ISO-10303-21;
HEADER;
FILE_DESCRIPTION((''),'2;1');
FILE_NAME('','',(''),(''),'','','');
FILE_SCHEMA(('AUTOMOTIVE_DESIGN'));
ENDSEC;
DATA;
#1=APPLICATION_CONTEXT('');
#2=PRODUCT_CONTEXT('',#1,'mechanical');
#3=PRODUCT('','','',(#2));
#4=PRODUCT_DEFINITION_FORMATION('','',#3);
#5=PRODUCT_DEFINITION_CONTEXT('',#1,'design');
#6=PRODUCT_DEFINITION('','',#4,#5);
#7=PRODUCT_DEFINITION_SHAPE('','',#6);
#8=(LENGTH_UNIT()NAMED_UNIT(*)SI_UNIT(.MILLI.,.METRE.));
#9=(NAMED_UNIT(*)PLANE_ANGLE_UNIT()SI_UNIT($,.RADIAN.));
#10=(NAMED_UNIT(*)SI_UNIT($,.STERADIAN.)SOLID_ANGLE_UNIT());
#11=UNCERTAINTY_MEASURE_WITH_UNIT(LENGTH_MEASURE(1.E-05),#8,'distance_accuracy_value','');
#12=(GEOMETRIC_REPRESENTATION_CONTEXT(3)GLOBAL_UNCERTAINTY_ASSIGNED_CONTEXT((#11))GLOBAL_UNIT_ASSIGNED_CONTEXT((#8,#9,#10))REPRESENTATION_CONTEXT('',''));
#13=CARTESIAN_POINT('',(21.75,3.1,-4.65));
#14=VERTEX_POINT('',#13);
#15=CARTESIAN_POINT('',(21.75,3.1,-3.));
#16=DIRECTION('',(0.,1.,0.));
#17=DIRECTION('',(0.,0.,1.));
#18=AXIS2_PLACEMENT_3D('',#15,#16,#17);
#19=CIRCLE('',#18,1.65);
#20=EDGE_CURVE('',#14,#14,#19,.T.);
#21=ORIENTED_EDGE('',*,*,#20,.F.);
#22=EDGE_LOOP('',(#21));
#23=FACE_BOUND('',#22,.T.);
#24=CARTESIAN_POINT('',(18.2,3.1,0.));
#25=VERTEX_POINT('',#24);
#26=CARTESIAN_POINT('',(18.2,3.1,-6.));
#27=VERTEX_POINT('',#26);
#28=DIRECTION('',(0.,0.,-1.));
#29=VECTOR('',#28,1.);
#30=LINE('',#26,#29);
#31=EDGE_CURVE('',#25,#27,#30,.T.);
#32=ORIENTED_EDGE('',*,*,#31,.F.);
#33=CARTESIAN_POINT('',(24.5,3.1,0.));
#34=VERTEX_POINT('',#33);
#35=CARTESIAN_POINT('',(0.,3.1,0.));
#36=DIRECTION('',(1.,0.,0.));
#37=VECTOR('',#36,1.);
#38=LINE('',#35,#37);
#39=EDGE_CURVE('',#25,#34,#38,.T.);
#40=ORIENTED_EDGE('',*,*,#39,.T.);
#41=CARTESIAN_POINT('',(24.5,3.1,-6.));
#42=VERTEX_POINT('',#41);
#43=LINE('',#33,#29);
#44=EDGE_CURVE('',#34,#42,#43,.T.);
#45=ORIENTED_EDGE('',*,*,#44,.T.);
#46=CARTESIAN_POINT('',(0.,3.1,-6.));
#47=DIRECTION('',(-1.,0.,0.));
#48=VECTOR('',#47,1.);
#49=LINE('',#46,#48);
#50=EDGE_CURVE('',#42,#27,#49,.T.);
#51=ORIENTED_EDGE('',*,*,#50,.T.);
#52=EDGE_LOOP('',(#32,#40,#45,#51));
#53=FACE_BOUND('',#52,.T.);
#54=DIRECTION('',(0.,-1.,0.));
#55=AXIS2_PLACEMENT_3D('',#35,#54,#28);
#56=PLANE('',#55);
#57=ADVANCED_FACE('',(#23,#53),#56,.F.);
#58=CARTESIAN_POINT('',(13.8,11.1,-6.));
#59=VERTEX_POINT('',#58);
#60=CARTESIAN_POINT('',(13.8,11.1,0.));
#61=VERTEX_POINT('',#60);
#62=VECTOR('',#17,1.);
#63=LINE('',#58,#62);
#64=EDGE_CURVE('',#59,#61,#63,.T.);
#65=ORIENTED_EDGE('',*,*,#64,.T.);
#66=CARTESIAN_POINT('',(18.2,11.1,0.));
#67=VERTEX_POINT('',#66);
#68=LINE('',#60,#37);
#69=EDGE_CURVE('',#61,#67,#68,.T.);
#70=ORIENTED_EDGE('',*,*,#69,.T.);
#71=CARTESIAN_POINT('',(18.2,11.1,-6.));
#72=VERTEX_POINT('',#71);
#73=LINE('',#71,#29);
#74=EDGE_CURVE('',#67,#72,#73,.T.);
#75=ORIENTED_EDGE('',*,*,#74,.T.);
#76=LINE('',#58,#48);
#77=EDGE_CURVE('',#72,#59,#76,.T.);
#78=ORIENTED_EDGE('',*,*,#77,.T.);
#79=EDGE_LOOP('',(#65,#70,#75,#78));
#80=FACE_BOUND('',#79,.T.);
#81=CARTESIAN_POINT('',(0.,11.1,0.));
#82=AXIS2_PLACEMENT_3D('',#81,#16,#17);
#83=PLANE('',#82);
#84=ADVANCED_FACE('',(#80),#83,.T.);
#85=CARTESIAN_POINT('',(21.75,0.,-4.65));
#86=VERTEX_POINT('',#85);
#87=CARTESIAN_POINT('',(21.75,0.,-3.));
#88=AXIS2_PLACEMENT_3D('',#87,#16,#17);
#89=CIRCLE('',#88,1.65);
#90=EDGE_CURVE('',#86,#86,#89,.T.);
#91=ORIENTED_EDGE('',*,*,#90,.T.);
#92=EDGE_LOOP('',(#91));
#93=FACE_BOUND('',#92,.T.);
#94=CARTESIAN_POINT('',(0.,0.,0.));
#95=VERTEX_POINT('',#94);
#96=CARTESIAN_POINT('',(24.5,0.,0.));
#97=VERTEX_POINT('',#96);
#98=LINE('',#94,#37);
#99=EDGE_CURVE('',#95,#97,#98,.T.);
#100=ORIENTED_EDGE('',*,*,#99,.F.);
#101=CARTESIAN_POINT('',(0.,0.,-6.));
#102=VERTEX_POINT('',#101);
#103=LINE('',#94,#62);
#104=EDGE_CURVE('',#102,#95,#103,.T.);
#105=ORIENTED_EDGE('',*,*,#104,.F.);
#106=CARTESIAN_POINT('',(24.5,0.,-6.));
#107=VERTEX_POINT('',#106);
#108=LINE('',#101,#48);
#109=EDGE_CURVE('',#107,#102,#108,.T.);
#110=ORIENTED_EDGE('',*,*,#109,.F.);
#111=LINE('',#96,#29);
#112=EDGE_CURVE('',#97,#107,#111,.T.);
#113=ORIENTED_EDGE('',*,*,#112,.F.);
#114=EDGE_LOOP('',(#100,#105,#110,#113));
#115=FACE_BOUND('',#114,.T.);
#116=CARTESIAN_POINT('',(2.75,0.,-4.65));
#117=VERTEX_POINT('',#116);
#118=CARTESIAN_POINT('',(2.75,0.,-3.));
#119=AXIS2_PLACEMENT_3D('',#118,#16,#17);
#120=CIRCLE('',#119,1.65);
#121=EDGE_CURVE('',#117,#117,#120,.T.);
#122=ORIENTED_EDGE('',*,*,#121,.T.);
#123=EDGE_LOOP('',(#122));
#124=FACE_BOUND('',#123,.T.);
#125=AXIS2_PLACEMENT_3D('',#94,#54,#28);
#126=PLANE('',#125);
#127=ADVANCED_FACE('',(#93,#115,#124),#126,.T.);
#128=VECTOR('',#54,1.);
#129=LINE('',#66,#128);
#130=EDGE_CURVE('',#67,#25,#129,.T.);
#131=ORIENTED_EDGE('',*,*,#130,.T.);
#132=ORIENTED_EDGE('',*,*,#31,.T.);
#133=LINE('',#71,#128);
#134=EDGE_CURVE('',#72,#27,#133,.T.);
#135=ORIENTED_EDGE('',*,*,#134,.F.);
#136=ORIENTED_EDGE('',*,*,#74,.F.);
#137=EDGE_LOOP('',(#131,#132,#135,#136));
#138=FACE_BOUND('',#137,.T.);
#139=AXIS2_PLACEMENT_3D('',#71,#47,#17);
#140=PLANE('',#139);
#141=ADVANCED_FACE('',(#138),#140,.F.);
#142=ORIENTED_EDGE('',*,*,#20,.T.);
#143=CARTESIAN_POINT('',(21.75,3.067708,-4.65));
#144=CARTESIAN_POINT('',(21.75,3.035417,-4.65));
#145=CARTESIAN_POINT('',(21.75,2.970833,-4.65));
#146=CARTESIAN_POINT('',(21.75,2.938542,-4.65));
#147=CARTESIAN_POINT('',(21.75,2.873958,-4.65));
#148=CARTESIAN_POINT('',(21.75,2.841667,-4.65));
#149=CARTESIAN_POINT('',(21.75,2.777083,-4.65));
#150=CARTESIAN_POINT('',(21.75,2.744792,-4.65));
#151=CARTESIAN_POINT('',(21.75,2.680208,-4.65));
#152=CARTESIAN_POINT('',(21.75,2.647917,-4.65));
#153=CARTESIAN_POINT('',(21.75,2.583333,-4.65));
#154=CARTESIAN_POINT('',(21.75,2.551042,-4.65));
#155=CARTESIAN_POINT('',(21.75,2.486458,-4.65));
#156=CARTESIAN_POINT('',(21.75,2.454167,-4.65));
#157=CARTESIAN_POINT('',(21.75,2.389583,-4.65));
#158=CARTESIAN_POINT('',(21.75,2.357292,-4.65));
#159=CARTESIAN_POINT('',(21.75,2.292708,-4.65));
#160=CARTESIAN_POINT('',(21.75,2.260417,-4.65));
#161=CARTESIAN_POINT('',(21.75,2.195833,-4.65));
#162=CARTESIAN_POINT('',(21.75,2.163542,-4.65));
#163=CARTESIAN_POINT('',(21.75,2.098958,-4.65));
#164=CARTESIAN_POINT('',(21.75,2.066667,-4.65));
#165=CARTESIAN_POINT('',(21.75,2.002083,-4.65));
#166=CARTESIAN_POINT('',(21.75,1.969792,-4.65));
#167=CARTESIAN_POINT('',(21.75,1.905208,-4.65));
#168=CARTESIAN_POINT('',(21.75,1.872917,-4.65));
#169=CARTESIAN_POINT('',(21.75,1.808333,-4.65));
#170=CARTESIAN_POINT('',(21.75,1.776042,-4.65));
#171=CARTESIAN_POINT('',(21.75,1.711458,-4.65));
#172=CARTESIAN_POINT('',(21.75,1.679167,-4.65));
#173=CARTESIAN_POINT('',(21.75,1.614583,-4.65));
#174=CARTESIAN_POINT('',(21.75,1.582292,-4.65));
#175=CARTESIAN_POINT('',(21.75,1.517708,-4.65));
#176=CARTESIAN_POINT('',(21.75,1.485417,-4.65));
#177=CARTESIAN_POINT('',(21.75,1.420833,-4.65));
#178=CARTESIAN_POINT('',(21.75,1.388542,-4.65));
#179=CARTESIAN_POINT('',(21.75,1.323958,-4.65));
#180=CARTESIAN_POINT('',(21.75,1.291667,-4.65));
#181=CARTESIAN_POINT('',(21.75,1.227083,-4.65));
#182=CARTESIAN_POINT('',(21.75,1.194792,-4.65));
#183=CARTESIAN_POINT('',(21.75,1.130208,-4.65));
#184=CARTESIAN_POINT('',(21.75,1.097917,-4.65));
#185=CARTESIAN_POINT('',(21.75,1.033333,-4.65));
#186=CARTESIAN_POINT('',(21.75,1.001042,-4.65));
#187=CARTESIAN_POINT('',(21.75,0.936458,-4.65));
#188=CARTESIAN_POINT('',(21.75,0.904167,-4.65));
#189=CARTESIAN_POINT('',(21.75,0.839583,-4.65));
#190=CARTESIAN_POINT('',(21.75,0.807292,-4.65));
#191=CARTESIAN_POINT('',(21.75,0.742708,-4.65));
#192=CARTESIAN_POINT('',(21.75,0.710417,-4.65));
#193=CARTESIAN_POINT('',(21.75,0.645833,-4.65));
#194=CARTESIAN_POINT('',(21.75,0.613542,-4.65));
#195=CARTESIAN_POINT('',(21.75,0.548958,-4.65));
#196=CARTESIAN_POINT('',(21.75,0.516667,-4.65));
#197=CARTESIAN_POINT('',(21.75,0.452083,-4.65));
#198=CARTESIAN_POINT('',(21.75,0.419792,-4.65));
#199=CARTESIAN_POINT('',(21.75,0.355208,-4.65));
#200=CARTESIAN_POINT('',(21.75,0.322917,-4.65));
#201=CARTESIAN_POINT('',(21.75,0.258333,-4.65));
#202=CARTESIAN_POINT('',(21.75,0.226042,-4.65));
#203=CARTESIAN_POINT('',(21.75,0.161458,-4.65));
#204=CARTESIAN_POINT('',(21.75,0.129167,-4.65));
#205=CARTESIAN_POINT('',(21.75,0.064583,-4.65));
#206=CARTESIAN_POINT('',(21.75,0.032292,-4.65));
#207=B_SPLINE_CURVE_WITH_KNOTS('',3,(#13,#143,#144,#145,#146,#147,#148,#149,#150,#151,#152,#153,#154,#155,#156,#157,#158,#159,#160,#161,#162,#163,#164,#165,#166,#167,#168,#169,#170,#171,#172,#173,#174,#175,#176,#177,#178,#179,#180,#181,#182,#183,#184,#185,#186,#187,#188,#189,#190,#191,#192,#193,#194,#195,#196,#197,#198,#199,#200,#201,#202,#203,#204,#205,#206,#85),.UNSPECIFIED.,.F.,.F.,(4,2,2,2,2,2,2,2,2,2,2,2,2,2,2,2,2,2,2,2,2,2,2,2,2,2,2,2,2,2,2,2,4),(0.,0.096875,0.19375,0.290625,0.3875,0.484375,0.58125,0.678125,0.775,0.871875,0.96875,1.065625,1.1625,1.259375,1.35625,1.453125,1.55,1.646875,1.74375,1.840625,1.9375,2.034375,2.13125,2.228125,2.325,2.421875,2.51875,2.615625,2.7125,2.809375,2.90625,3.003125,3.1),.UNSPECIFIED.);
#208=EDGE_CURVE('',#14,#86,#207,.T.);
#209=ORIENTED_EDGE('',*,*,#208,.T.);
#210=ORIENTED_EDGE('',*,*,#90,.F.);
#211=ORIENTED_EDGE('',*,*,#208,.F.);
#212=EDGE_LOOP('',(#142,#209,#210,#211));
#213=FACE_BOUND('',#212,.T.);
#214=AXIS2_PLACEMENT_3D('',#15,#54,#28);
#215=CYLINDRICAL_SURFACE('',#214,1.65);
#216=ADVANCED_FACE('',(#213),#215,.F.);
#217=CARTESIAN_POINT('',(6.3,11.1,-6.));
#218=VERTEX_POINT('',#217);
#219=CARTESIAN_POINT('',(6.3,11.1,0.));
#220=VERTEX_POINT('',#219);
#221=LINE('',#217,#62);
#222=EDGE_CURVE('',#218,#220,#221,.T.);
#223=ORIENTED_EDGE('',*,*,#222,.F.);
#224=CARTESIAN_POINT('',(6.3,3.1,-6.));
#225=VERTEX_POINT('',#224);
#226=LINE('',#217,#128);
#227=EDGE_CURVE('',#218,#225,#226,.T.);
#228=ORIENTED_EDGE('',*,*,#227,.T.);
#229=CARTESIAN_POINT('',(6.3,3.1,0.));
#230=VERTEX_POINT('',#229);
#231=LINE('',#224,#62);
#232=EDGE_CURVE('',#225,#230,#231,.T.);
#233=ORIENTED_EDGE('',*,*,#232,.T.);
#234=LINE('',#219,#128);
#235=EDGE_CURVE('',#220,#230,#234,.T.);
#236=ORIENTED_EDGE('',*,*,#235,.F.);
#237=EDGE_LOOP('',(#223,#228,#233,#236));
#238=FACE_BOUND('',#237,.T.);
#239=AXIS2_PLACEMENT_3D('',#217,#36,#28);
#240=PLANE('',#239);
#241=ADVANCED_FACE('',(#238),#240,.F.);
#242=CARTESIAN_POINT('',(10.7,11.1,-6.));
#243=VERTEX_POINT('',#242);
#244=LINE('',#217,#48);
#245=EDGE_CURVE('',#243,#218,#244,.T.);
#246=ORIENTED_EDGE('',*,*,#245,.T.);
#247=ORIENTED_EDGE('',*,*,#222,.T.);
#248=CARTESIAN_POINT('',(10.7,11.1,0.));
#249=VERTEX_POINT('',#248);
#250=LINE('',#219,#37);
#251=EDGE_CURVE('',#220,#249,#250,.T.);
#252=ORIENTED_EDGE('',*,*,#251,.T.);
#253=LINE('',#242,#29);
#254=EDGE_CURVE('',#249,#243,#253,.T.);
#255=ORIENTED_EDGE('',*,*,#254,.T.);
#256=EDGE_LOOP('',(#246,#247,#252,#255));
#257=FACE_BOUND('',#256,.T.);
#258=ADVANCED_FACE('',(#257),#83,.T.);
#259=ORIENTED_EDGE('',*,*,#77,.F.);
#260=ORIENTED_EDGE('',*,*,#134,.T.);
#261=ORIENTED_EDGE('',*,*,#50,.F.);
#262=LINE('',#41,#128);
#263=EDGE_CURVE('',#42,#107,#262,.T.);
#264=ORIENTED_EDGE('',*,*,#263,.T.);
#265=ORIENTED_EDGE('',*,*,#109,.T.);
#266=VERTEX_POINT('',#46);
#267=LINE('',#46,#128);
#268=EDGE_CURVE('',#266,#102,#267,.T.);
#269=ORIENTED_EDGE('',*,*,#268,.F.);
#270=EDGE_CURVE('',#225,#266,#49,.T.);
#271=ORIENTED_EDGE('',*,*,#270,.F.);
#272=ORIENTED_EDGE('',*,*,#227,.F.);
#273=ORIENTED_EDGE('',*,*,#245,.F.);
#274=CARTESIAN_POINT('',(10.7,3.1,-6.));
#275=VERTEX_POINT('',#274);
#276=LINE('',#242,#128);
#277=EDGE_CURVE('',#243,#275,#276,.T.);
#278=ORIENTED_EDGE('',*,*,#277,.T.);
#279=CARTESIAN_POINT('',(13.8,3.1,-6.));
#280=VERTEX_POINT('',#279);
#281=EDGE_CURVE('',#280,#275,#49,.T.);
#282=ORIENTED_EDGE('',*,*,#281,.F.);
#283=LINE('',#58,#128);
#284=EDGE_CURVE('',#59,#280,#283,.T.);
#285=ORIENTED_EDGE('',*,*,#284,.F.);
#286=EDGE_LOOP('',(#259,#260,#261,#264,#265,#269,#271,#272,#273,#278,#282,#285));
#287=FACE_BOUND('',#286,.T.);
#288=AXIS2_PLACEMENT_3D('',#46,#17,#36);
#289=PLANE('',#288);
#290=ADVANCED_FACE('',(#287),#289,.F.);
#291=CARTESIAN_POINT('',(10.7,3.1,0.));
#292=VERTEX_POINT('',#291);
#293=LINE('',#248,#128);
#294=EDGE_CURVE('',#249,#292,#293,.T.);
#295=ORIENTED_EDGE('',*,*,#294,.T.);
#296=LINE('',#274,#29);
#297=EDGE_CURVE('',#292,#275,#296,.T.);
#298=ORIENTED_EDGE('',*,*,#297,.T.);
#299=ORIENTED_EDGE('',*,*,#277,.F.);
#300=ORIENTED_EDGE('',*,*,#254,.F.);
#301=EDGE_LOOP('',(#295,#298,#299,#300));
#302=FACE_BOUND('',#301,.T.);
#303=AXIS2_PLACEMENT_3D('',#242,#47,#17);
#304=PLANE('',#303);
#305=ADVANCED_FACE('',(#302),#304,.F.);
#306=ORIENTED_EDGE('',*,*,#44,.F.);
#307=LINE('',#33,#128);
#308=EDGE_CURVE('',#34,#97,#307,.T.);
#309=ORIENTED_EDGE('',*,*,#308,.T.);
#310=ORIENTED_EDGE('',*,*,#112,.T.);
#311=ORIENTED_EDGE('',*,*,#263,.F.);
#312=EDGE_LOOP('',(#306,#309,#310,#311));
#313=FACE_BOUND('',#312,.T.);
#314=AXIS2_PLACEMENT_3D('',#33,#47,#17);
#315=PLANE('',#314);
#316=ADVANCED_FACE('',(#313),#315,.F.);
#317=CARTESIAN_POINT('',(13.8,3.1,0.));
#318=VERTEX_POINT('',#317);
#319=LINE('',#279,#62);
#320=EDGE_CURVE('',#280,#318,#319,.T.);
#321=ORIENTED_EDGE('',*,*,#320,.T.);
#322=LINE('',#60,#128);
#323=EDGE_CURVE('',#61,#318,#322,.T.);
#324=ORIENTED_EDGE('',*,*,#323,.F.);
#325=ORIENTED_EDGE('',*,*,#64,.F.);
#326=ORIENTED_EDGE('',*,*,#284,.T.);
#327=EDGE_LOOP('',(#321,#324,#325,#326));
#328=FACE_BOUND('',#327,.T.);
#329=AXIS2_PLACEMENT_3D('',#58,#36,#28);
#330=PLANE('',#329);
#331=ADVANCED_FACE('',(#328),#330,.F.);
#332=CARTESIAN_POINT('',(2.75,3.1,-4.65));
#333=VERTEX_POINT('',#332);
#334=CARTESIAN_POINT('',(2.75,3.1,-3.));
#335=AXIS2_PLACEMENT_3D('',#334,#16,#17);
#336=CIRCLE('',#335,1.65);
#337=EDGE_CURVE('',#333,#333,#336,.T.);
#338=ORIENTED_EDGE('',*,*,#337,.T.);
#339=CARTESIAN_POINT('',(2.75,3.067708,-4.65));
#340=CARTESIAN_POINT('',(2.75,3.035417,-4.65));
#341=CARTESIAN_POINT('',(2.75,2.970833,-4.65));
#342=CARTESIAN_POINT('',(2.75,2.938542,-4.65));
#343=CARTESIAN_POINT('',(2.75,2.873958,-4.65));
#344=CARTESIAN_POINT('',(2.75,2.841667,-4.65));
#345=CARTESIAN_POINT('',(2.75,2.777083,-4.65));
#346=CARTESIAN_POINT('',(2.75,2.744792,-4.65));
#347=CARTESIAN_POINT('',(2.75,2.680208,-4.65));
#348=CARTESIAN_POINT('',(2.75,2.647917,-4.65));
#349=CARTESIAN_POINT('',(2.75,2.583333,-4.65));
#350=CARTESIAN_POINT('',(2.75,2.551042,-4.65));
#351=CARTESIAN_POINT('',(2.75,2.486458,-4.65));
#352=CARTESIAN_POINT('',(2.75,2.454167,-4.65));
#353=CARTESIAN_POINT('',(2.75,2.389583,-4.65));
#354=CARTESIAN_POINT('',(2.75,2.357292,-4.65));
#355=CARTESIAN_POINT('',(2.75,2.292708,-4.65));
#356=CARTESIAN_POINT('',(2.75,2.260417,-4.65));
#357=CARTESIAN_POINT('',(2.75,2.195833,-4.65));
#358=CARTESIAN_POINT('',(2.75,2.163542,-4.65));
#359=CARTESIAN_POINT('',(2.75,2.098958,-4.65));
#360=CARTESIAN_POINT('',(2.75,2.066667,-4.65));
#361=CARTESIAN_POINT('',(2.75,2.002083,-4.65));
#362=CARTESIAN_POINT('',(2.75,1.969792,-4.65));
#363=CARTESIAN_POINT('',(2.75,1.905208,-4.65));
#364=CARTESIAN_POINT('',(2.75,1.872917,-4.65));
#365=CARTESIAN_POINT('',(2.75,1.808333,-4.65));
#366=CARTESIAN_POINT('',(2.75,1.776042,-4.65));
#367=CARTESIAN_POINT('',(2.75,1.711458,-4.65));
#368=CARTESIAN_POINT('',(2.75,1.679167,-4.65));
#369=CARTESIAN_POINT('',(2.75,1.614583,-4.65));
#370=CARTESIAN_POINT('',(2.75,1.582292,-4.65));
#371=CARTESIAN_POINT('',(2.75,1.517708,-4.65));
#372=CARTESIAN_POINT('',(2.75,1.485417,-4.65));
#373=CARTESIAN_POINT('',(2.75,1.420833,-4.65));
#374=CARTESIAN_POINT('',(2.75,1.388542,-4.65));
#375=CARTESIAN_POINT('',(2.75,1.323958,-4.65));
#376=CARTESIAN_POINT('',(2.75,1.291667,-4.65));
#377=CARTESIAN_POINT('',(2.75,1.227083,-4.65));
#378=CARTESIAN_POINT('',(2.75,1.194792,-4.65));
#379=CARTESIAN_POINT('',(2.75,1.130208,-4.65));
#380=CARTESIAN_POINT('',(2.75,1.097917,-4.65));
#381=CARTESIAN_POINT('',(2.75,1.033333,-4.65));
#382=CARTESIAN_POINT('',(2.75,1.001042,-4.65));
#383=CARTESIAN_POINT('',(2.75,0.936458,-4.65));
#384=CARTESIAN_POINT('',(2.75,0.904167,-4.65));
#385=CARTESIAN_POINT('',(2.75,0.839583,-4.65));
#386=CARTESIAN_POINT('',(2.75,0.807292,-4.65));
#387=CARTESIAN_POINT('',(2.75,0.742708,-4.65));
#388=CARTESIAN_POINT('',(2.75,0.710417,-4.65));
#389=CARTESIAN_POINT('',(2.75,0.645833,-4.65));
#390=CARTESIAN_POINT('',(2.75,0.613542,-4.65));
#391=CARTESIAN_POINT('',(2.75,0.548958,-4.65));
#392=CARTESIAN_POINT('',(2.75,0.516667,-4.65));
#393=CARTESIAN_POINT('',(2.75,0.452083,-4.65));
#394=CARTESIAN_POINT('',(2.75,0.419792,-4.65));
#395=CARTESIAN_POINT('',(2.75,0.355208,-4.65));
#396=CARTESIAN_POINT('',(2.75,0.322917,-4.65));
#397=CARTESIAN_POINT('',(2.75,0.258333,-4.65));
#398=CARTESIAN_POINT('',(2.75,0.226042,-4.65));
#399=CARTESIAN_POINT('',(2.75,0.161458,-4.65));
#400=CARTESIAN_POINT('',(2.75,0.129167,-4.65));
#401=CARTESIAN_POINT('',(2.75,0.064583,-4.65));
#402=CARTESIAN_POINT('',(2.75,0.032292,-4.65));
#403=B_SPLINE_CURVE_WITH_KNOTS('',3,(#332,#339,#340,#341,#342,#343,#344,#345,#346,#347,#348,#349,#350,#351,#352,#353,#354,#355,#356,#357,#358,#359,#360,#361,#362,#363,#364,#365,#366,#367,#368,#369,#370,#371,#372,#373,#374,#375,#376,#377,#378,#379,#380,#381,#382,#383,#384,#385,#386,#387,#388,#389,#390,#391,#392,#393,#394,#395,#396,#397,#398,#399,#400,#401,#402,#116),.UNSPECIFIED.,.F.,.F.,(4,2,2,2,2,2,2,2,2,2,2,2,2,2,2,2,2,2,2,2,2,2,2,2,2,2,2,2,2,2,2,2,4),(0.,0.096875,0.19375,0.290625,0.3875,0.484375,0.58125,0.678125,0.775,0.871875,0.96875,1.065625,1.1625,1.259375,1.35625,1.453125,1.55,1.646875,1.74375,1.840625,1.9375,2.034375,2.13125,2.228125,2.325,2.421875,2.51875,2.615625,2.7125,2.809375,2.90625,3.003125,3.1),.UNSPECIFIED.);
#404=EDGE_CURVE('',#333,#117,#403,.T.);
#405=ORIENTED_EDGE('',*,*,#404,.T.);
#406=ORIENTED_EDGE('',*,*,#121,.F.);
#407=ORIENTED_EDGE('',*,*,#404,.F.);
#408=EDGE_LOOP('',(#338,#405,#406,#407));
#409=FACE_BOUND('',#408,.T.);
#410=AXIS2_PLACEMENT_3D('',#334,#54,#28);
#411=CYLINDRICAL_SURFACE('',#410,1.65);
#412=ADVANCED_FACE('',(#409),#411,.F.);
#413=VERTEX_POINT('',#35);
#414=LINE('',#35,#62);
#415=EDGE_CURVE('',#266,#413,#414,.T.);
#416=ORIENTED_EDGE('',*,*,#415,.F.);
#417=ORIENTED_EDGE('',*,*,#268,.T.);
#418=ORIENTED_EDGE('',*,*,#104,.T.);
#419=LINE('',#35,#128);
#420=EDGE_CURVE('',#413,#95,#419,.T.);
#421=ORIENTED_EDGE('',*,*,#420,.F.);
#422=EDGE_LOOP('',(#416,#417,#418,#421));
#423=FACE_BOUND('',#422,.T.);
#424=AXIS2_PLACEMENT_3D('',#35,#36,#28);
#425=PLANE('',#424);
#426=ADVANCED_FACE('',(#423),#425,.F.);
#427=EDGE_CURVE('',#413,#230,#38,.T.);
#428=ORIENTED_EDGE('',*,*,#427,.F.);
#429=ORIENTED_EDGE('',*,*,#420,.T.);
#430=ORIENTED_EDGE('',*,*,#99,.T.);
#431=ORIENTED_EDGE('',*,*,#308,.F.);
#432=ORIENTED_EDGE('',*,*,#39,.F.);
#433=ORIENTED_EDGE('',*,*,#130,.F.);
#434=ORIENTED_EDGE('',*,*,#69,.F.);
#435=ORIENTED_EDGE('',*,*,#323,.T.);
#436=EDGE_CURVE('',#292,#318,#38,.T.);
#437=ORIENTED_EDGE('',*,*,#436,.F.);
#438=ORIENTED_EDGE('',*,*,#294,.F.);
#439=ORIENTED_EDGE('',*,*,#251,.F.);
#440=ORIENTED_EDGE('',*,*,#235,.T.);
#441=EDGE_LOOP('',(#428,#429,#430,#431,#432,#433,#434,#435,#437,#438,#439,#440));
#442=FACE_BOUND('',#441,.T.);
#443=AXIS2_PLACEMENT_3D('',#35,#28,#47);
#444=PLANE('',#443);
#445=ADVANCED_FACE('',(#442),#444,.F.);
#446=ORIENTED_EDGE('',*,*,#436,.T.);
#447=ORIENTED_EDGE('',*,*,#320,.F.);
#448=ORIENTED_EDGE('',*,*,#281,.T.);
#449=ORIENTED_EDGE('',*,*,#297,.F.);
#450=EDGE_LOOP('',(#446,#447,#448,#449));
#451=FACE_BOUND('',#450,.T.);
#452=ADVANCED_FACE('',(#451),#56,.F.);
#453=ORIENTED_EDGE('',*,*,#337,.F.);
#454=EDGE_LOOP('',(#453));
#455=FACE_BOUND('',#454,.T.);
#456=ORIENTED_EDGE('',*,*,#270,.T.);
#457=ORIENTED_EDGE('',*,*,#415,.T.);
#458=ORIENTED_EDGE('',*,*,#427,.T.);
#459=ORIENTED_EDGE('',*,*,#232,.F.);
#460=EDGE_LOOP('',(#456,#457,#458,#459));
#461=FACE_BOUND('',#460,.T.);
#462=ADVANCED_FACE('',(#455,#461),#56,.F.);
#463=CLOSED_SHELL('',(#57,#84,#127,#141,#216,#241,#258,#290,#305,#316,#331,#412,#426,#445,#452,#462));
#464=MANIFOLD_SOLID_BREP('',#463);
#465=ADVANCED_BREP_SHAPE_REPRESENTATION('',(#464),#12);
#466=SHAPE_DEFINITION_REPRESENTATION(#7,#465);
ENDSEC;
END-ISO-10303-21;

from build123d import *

# Parameters (mm, degrees)
SKETCH1_W           = 24.5
SKETCH1_H           = 6
SKETCH1_R           = 1.65
BOSS_EXTRUDE1_DEPTH = 3.1
SKETCH2_W           = 4.4
SKETCH2_H           = 6
BOSS_EXTRUDE2_DEPTH = 8


with BuildPart() as part:
    # Sketch1 → Boss-Extrude1 (new body)
    with BuildSketch(Plane(origin=(0, 0, 0), x_dir=(1, 0, 0), z_dir=(0, 1, 0))):
        with Locations((12.25, 3)):
            Rectangle(SKETCH1_W, SKETCH1_H)
        with Locations(Location((2.75, 3, 0), (0, 0, 90))):
            Circle(SKETCH1_R, mode=Mode.SUBTRACT)
        with Locations(Location((21.75, 3, 0), (0, 0, 90))):
            Circle(SKETCH1_R, mode=Mode.SUBTRACT)
    extrude(amount=BOSS_EXTRUDE1_DEPTH)

    # Sketch2 → Boss-Extrude2 (add)
    with BuildSketch(Plane(origin=(0, 3.1, 0), x_dir=(1, 0, 0), z_dir=(0, 1, 0))):
        with Locations((8.5, 3)):
            Rectangle(SKETCH2_W, SKETCH2_H)
        with Locations((16, 3)):
            Rectangle(SKETCH2_W, SKETCH2_H)
    extrude(amount=BOSS_EXTRUDE2_DEPTH)


solid = part.part
